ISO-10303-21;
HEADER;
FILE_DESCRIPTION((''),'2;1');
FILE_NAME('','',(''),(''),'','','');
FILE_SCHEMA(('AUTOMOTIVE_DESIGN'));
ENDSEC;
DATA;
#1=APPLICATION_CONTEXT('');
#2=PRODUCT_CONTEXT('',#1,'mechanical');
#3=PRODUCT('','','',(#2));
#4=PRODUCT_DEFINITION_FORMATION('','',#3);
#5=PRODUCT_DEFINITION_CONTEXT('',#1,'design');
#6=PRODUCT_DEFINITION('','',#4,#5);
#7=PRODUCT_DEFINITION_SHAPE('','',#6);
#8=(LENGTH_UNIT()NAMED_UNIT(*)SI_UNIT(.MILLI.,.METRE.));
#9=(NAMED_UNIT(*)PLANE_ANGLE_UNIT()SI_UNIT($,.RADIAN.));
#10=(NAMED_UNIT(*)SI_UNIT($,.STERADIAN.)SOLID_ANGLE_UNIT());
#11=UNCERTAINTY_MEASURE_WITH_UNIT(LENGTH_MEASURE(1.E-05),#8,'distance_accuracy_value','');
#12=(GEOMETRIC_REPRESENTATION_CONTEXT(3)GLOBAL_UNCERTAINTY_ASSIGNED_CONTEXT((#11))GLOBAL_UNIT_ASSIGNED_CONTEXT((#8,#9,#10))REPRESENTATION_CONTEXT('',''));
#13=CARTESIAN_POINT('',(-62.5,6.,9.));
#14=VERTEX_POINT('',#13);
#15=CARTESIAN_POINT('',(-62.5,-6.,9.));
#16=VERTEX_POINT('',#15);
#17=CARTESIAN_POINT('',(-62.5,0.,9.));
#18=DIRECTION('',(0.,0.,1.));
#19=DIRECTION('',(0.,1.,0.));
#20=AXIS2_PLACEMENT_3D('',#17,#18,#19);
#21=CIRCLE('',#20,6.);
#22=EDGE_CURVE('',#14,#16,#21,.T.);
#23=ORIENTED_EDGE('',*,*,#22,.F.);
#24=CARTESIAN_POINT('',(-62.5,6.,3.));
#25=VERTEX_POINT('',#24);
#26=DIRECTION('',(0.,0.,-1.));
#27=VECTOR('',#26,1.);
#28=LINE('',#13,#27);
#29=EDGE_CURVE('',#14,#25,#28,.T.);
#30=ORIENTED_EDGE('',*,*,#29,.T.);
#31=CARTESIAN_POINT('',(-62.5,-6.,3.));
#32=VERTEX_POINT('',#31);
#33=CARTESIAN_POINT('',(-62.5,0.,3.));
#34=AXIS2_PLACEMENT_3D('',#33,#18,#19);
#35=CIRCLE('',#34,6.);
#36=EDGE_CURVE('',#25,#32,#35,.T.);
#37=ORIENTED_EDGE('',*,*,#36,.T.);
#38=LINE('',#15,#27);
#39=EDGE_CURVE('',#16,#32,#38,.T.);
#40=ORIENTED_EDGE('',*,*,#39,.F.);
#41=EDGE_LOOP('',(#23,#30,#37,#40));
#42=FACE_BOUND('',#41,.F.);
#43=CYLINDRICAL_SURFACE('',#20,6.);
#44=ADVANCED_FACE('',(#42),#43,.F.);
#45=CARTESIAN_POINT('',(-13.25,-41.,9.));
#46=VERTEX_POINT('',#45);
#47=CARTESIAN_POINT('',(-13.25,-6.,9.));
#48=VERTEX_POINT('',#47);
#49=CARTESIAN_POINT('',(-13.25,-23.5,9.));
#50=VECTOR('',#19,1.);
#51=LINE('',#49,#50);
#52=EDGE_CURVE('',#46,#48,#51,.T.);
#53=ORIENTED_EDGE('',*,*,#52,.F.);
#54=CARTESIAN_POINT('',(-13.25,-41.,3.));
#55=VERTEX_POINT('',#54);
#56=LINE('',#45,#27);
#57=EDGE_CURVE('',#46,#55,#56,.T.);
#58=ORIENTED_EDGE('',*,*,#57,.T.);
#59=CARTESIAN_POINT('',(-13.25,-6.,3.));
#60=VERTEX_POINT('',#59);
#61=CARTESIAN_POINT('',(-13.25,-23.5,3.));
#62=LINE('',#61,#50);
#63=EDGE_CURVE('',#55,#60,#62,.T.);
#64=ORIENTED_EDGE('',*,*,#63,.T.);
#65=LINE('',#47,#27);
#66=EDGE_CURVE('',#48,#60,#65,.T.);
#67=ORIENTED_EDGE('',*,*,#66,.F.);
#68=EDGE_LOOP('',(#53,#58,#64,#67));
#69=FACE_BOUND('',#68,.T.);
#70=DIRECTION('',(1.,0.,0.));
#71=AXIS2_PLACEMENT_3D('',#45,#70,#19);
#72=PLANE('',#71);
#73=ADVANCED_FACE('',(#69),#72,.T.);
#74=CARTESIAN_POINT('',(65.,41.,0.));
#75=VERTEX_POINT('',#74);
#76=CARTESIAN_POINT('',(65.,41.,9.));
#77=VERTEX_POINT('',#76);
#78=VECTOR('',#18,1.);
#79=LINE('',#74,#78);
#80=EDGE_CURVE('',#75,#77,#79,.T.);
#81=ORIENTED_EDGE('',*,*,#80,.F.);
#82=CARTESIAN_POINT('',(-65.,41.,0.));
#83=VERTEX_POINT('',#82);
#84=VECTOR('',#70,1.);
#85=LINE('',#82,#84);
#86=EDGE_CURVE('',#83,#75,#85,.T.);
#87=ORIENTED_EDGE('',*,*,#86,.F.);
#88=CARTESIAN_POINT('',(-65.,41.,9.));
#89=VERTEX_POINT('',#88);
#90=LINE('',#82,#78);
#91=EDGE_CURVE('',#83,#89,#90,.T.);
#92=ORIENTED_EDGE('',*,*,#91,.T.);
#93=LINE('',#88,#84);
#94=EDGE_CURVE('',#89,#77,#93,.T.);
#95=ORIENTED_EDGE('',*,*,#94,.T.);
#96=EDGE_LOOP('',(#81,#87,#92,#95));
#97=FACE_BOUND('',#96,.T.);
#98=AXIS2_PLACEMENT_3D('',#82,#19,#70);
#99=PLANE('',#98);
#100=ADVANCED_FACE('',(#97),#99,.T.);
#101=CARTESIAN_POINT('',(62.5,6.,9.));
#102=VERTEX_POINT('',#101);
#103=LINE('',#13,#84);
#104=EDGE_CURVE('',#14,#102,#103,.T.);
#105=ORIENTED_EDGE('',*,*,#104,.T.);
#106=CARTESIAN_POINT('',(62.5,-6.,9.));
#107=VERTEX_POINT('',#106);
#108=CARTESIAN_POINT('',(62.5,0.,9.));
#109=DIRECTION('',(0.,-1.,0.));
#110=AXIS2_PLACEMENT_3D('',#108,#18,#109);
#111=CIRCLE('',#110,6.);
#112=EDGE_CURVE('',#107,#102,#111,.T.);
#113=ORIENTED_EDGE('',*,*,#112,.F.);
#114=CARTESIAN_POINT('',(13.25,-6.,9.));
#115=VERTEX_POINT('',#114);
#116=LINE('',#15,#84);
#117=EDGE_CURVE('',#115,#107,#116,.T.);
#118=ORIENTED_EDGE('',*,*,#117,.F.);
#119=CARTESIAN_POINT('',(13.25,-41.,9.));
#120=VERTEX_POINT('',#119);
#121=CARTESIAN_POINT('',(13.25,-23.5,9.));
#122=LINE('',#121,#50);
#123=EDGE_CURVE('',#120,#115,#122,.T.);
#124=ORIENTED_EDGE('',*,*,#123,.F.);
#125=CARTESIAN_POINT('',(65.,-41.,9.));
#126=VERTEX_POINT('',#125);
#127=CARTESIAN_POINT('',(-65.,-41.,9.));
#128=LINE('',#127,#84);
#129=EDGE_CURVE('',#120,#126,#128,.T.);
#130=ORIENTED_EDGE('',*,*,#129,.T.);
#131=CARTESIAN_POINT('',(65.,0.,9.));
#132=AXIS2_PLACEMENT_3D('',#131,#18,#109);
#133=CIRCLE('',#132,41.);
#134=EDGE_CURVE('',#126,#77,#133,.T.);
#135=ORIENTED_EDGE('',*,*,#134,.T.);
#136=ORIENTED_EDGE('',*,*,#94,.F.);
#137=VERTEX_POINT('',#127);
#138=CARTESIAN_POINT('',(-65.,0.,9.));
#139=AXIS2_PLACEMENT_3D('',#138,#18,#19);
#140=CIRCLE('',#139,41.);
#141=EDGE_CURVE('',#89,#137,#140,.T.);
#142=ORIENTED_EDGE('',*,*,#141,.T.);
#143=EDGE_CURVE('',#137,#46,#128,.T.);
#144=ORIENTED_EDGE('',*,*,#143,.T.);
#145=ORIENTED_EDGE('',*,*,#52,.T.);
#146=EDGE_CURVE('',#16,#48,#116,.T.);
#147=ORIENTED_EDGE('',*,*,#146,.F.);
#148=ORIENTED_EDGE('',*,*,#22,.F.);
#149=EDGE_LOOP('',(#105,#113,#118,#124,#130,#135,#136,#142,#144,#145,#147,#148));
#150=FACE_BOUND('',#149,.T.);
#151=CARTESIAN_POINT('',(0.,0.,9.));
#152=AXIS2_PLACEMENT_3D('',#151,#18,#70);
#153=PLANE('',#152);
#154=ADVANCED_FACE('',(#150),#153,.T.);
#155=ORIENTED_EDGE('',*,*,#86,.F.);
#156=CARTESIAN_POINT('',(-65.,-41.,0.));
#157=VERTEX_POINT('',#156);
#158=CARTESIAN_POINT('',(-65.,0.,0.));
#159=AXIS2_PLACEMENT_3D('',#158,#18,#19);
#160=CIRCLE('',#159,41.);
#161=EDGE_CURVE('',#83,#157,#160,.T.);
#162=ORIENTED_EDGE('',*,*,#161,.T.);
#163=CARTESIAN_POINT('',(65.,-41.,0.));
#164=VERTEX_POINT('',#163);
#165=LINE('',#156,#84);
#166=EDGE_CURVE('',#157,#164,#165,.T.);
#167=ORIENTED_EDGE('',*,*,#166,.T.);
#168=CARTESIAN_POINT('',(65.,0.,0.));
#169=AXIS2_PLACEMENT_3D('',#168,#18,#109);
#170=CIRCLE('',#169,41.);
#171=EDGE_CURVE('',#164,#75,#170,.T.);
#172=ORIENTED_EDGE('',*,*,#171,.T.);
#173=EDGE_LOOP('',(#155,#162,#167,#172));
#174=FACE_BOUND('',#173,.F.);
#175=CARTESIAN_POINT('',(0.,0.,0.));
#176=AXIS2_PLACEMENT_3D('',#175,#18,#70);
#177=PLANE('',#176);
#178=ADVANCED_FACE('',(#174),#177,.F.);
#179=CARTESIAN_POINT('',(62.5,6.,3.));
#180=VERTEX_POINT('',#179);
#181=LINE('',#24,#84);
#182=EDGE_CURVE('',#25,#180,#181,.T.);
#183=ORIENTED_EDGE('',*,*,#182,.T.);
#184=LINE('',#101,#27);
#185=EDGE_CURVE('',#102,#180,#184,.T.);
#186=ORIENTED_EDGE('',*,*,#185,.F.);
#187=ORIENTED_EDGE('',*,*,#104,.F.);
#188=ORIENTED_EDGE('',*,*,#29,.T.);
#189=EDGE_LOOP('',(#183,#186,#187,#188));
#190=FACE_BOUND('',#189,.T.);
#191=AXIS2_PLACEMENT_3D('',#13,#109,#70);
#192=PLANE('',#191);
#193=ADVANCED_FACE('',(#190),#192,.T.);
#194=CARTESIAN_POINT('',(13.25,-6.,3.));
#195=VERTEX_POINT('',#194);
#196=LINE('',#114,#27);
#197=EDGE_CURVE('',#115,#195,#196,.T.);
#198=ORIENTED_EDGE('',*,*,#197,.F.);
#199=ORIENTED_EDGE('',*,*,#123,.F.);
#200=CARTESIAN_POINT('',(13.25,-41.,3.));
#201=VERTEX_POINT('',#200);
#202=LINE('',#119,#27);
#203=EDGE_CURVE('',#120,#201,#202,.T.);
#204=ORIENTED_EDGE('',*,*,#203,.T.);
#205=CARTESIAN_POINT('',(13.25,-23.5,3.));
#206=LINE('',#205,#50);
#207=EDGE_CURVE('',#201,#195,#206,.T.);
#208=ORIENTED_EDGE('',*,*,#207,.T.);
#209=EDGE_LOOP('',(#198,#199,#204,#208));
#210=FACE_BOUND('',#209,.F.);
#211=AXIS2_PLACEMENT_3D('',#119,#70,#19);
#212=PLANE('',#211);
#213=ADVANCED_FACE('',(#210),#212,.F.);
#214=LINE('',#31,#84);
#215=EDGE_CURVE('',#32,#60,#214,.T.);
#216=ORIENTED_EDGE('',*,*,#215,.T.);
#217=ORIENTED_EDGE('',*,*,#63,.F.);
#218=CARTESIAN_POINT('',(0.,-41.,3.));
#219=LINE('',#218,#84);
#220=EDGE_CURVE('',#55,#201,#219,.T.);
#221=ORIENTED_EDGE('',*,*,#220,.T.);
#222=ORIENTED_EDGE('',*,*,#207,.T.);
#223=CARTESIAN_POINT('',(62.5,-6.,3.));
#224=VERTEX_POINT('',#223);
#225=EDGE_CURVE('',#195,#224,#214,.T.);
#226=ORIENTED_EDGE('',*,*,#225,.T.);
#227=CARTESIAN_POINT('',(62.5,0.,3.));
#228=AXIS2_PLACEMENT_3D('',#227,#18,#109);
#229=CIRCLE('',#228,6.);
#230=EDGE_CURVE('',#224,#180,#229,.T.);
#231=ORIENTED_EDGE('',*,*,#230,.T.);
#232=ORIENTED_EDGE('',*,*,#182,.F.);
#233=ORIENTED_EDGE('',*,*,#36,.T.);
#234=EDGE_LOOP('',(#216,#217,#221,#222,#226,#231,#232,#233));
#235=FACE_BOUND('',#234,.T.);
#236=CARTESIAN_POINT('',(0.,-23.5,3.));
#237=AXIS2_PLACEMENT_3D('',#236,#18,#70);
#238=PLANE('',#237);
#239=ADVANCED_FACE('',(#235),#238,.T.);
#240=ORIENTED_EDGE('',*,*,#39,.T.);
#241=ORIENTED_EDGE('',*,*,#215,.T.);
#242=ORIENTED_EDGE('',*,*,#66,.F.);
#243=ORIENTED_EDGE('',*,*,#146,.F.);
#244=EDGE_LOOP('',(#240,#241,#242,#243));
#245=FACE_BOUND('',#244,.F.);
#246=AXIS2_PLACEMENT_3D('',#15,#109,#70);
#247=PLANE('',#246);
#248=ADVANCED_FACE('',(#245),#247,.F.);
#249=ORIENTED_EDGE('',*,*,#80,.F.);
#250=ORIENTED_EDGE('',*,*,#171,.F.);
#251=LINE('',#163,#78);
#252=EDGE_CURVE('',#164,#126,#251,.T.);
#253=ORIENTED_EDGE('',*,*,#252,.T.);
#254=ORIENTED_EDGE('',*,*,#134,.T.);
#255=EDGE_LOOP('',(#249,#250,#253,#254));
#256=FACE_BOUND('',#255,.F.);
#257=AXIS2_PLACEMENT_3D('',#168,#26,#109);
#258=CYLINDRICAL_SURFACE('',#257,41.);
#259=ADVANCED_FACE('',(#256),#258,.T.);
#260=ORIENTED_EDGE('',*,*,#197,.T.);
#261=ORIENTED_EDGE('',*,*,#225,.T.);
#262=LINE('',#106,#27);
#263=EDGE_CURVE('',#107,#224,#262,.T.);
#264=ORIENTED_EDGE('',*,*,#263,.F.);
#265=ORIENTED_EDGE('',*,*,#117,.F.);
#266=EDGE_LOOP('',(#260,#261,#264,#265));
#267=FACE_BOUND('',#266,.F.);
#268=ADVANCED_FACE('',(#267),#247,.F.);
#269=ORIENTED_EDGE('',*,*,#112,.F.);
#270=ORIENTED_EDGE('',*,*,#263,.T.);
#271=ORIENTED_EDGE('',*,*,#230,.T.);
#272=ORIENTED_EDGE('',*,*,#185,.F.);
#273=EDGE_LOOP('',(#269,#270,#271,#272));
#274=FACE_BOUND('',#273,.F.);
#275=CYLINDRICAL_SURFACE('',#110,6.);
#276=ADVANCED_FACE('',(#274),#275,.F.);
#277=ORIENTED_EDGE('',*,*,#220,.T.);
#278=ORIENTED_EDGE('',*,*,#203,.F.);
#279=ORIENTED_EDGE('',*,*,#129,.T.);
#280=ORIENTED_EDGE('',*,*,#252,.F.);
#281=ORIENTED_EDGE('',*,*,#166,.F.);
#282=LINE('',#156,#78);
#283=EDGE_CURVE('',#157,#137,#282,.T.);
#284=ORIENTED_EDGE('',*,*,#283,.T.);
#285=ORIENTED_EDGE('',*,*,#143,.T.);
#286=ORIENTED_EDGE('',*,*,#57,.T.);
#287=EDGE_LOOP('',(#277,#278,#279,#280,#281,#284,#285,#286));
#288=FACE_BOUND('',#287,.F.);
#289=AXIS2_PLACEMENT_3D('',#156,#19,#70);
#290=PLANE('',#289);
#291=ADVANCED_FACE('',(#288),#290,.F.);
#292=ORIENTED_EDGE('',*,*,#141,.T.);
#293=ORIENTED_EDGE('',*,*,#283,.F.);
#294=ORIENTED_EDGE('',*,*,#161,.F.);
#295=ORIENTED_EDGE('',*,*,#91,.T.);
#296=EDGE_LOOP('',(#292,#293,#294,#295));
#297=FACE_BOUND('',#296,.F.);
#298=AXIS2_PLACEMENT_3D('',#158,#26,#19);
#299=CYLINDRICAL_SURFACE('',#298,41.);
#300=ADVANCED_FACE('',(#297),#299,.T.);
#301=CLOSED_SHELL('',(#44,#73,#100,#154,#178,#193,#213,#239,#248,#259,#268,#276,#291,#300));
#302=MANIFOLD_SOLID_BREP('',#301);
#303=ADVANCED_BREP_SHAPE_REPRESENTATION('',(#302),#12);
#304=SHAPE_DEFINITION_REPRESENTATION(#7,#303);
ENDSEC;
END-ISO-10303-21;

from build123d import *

# Parameters (mm, degrees)
PAD_DEPTH       = 9
POCKET_DEPTH    = 6
SKETCH002_W     = 26.5
SKETCH002_H     = 35
POCKET001_DEPTH = 6


with BuildPart() as part:
    # Sketch → Pad (new body)
    with BuildSketch(Plane.XY):
        with BuildLine():
            ThreePointArc((-65, 41), (-106, 0), (-65, -41))
            Line((-65, -41), (65, -41))
            ThreePointArc((65, -41), (106, 0), (65, 41))
            Line((-65, 41), (65, 41))
        make_face()
    extrude(amount=PAD_DEPTH)

    # Sketch001 (on Face6 of Pad) → Pocket (cut)
    with BuildSketch(Plane.XY.offset(9)):
        with BuildLine():
            ThreePointArc((-62.5, 6), (-68.5, 0), (-62.5, -6))
            Line((-62.5, -6), (62.5, -6))
            ThreePointArc((62.5, -6), (68.5, 0), (62.5, 6))
            Line((-62.5, 6), (62.5, 6))
        make_face()
    extrude(amount=-POCKET_DEPTH, mode=Mode.SUBTRACT)

    # Sketch002 (on Face5 of Pocket) → Pocket001 (cut)
    with BuildSketch(Plane.XY.offset(9)):
        with Locations((0, -23.5)):
            Rectangle(SKETCH002_W, SKETCH002_H)
    extrude(amount=-POCKET001_DEPTH, mode=Mode.SUBTRACT)


solid = part.part
